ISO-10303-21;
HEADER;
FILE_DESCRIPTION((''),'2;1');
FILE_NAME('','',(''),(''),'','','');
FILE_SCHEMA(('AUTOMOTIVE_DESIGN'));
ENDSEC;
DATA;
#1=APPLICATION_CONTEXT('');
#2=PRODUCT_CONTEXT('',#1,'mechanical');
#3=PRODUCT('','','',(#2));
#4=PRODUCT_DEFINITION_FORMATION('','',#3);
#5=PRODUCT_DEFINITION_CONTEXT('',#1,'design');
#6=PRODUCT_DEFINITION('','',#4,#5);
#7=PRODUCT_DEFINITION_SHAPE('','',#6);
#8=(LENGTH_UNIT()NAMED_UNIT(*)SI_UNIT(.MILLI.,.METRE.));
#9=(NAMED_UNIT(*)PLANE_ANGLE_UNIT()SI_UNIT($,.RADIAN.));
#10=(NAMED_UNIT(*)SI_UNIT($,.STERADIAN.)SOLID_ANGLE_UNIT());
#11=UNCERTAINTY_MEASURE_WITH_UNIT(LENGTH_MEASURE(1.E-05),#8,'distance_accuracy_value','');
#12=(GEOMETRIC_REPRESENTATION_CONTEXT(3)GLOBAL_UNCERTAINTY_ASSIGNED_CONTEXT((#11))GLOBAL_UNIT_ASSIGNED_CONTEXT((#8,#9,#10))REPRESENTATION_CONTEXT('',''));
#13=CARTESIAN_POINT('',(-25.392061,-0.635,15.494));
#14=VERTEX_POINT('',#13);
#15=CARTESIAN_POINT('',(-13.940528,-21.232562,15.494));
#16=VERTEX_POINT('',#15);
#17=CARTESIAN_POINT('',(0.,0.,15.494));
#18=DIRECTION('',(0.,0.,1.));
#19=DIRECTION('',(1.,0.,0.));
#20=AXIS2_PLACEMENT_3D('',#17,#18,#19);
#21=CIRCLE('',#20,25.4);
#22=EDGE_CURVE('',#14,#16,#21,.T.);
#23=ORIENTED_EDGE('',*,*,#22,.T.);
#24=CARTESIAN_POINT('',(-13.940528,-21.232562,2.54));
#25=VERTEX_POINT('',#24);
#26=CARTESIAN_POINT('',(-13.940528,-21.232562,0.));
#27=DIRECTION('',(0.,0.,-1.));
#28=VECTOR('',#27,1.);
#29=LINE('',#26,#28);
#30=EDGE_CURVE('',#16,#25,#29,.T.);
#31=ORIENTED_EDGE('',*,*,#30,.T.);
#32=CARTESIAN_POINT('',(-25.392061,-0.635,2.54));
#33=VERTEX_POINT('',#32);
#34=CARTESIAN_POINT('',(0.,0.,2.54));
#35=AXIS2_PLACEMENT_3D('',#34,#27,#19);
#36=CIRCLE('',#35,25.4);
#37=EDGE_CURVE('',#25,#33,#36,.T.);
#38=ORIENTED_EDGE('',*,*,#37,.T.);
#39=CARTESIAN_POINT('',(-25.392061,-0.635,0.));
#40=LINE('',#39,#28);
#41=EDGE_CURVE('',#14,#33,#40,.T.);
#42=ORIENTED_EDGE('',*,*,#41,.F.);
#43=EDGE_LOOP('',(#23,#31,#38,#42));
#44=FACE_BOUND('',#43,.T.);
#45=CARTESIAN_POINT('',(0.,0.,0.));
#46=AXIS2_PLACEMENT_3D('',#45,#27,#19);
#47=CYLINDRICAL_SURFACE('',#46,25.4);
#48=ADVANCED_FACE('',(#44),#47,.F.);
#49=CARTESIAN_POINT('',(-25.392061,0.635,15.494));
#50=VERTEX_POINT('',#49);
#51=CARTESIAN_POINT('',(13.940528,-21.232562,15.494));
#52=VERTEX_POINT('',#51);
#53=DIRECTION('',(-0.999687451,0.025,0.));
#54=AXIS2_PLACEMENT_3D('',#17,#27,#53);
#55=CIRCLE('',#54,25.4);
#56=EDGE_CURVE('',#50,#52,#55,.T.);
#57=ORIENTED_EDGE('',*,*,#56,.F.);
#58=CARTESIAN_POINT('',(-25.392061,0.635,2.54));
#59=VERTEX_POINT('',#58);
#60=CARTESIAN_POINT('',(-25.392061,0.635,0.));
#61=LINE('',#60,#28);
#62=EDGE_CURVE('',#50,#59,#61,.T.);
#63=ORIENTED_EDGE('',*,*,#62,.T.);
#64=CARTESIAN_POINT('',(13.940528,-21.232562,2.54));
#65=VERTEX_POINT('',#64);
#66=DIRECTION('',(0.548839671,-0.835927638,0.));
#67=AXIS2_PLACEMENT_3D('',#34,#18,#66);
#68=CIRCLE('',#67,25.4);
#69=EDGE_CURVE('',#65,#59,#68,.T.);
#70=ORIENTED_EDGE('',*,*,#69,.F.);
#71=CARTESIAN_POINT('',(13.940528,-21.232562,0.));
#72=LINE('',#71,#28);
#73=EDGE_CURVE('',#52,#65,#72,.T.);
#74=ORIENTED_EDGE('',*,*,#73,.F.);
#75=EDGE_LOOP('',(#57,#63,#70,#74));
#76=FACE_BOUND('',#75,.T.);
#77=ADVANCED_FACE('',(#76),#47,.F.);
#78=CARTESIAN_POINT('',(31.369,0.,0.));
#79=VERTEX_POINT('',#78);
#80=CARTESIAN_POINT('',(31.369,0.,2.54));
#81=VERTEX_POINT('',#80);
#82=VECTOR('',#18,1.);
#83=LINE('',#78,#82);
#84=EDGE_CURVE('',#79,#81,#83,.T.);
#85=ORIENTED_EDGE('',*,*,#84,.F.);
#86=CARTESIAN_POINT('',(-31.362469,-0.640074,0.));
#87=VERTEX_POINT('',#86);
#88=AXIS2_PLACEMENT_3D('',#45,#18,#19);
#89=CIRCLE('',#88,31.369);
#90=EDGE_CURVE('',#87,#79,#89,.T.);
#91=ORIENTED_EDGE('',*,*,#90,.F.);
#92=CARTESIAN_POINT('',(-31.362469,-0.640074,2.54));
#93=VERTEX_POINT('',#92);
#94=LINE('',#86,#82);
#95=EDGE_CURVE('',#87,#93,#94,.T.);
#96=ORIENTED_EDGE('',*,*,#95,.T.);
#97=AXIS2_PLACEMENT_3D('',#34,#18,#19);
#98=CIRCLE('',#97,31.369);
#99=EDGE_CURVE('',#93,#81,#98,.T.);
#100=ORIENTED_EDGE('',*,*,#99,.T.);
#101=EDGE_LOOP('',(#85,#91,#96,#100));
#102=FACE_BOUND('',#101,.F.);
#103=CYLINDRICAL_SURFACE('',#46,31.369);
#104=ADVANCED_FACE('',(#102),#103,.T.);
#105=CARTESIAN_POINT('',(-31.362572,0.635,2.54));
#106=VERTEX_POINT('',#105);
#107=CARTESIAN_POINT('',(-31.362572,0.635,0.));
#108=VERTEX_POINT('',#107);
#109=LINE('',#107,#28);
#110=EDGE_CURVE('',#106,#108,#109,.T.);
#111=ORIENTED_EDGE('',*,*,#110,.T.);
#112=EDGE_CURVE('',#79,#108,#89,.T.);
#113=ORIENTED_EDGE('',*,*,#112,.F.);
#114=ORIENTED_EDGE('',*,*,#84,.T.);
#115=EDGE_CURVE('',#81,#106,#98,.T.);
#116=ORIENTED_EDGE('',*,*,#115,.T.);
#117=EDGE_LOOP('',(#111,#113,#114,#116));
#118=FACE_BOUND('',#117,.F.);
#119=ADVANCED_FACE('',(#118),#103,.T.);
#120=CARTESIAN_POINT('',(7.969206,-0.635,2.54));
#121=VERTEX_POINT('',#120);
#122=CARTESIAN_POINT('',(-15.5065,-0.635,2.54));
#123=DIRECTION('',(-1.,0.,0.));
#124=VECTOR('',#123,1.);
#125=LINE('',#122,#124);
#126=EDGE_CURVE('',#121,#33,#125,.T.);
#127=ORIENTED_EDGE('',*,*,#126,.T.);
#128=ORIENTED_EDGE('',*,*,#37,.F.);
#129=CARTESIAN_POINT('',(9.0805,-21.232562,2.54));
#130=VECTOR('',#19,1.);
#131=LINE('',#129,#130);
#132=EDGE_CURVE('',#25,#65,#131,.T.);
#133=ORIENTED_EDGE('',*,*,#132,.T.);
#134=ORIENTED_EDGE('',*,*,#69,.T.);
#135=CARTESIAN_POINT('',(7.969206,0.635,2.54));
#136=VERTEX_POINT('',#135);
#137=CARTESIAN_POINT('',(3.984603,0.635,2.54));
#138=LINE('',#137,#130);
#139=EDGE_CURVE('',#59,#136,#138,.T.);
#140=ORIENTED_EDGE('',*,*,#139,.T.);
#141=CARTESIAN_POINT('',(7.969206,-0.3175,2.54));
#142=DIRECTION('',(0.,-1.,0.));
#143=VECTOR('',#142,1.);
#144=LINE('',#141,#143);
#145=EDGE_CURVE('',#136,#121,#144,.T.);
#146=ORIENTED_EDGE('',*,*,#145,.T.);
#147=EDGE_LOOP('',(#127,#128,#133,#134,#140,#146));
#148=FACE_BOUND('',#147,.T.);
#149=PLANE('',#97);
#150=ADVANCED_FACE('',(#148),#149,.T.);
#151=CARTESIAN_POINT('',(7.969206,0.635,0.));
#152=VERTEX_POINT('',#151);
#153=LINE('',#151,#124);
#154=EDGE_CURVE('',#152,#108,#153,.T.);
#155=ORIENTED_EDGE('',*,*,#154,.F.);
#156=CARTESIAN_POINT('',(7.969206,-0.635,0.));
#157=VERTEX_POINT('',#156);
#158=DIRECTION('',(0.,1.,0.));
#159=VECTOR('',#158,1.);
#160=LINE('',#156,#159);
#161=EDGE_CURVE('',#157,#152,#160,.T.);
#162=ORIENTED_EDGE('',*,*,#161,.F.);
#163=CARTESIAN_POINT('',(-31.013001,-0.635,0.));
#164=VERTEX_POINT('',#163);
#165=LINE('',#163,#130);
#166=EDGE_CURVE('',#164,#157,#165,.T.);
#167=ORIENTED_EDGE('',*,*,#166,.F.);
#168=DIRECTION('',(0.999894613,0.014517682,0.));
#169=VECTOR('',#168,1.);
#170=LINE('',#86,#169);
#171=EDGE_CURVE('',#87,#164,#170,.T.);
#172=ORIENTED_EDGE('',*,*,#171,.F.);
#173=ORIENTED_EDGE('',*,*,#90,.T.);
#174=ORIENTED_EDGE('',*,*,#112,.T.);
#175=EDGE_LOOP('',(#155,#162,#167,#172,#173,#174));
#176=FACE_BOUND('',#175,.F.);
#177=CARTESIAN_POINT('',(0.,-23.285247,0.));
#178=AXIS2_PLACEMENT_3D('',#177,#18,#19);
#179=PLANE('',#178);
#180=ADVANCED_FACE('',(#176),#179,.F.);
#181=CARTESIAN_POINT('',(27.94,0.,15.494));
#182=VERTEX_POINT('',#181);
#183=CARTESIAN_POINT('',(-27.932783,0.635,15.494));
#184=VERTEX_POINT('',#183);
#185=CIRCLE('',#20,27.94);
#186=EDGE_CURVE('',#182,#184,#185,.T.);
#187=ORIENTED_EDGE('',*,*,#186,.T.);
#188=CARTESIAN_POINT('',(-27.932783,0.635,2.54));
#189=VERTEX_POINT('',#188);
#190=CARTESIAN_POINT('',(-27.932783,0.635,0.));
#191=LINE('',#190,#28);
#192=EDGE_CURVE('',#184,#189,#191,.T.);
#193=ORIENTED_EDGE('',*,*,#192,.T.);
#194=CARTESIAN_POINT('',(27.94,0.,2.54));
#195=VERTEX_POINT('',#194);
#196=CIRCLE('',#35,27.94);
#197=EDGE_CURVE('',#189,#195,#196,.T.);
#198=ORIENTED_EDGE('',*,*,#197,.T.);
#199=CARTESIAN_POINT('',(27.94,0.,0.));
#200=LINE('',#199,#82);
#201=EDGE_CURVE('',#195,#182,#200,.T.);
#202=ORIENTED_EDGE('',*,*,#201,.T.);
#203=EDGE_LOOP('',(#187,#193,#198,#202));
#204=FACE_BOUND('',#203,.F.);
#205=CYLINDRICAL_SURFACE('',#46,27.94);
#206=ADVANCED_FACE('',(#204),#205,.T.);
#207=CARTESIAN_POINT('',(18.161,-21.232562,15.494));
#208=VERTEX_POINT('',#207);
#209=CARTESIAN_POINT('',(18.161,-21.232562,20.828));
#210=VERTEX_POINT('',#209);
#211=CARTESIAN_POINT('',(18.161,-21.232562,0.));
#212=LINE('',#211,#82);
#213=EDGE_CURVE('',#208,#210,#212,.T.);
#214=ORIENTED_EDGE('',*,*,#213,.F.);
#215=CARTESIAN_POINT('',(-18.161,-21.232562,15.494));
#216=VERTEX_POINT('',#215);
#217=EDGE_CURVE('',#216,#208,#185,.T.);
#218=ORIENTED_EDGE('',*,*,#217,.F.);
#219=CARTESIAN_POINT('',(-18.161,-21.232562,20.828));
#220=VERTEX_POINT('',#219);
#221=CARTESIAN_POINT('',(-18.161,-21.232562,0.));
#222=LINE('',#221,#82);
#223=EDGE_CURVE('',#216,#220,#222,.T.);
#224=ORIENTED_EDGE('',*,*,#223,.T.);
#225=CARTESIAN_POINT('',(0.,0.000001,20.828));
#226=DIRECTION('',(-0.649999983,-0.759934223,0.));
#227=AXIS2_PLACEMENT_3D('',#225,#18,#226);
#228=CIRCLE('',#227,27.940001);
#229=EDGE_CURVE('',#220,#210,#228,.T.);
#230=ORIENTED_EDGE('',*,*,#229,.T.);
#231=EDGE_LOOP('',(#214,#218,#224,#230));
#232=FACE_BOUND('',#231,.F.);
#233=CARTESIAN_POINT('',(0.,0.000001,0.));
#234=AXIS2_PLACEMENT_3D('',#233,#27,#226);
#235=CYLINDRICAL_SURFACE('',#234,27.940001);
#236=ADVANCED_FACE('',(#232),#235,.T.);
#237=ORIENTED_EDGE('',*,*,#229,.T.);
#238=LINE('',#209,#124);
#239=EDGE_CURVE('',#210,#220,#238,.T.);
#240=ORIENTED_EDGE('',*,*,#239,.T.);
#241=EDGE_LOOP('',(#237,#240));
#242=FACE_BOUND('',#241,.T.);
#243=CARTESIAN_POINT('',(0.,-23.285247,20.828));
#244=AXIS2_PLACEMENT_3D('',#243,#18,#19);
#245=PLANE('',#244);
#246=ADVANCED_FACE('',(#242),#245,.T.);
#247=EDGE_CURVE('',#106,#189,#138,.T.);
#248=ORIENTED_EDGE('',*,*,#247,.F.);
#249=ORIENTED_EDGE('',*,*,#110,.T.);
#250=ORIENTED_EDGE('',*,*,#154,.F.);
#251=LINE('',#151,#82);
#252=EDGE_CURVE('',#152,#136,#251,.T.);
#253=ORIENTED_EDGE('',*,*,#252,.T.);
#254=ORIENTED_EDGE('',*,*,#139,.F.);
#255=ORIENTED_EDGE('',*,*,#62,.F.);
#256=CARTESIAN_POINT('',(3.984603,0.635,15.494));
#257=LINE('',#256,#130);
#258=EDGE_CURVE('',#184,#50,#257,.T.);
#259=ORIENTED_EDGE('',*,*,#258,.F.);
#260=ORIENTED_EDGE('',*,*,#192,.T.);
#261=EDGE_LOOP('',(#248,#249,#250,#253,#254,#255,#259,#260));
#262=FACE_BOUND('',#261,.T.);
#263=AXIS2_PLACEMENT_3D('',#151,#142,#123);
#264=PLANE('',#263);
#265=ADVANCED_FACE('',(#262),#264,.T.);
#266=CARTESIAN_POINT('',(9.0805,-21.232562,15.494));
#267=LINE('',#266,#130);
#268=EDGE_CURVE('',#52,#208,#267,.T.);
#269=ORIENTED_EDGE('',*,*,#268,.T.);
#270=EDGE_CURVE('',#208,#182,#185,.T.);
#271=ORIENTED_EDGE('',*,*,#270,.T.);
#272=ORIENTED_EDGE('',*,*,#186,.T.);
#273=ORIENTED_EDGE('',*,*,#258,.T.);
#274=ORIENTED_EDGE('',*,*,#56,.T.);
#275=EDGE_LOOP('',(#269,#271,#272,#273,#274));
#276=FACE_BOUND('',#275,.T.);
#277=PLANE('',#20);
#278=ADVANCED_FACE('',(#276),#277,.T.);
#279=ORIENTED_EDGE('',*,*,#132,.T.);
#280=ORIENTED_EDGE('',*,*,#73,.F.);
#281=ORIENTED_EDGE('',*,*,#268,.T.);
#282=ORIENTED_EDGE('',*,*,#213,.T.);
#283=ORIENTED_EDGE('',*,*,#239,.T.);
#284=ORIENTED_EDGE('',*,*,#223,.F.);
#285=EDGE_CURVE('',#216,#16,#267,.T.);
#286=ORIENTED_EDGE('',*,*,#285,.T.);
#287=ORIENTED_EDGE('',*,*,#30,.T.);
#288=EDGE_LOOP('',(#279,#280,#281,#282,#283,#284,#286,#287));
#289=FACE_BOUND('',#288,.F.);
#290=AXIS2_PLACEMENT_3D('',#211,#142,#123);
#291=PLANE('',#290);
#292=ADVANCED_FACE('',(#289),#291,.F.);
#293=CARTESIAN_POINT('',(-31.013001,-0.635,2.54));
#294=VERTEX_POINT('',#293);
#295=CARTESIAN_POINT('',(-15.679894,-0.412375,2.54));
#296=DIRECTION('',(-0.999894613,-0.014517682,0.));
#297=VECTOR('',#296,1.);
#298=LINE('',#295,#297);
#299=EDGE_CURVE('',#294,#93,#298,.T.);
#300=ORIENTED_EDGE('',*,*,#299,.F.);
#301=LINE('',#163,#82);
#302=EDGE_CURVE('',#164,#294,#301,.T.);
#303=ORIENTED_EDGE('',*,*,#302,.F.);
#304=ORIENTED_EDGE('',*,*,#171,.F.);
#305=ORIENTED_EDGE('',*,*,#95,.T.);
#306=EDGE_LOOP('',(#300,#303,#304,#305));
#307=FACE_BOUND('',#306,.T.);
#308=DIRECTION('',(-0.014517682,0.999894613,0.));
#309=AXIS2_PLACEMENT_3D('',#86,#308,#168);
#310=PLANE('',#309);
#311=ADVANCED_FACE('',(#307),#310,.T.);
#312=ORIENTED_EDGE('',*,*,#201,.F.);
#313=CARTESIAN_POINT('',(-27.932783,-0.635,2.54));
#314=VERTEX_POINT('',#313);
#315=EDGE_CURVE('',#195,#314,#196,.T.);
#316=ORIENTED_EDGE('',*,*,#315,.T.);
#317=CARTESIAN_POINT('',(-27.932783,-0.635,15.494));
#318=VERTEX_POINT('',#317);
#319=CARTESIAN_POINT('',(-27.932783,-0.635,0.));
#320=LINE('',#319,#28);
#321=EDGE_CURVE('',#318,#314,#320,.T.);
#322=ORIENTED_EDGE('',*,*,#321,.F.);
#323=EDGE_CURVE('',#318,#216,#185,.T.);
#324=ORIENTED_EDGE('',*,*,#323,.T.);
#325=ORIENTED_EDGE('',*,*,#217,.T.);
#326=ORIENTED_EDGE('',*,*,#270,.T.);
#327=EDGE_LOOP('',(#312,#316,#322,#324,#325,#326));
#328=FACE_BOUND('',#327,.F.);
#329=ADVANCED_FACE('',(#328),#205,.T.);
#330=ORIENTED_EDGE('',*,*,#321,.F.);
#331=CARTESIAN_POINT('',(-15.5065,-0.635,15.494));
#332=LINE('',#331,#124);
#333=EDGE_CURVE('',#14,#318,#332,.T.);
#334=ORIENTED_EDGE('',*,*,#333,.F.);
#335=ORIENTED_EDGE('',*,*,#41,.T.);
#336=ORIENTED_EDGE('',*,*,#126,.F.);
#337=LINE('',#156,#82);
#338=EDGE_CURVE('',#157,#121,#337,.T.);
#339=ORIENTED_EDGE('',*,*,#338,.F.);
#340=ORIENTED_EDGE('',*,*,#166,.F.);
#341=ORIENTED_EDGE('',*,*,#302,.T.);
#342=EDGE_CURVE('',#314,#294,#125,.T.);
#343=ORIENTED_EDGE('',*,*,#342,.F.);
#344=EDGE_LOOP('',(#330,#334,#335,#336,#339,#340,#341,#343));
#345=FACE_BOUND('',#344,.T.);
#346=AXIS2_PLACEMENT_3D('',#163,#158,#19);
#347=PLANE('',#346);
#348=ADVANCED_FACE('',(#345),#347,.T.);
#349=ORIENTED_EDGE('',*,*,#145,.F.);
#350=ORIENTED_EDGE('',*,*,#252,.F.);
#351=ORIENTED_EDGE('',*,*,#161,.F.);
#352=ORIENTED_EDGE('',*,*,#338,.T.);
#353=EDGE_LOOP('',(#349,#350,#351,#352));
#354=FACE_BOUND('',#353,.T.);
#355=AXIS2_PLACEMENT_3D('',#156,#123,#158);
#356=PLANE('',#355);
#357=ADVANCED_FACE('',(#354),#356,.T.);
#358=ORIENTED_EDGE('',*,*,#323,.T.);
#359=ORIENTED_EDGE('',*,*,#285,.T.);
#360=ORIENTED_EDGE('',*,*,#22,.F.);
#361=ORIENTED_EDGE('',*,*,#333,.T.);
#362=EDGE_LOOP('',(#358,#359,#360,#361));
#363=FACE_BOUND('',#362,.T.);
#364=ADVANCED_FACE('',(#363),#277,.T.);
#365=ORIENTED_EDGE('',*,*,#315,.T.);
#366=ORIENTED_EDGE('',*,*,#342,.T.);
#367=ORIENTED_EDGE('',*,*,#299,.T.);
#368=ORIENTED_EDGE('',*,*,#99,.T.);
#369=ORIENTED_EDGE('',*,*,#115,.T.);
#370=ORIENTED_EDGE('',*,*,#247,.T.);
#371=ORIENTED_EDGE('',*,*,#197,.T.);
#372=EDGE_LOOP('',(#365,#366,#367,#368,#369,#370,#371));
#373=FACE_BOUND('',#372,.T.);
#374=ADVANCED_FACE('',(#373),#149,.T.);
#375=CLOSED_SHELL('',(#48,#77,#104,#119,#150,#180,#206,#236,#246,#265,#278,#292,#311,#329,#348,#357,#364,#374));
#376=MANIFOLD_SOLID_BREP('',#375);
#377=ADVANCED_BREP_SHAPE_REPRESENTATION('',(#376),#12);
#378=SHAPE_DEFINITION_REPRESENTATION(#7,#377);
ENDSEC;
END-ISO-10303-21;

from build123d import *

# Parameters (mm, degrees)
F0_R     = 31.369
F1_DEPTH = 2.54
F2_R     = 27.94
F2_R_2   = 25.4
F3_DEPTH = 15.494
F5_DEPTH = 25.4
F7_DEPTH = 20.828


with BuildPart() as f1:
    # F0 (on Top) → F1 (new body)
    with BuildSketch(Plane.XY):
        Circle(F0_R)
    extrude(amount=F1_DEPTH)

    # F2 (on Top) → F3 (join)
    with BuildSketch(Plane.XY):
        Circle(F2_R)
        Circle(F2_R_2, mode=Mode.SUBTRACT)
    extrude(amount=F3_DEPTH)

    # F4 (on face) → F5 (cut)
    with BuildSketch(Plane.XY):
        with BuildLine():
            Line((0, -0.635), (0, 0))
            Line((0, 0), (0, 0.635))
            Line((0, 0.635), (-31.330898, 0.635))
            Line((-31.330898, 0.635), (-31.362572, 0.635))
            ThreePointArc((-31.362572, 0.635), (-31.369, -0.002537), (-31.362469, -0.640074))
            Line((-31.362469, -0.640074), (-31.013001, -0.635))
            Line((-31.013001, -0.635), (0, -0.635))
        make_face()
        with BuildLine():
            Line((-31.979989, -0.649039), (-31.362469, -0.640074))
            ThreePointArc((-31.362469, -0.640074), (-31.369, -0.002537), (-31.362572, 0.635))
            Line((-31.362572, 0.635), (-31.979989, 0.635))
            Line((-31.979989, 0.635), (-31.979989, -0.649039))
        make_face()
        Polygon((0, 0.635), (0, 0), (0, -0.635), (7.969206, -0.635), (7.969206, 0.635), (4.666724, 0.635), align=None)
    extrude(amount=F5_DEPTH, mode=Mode.SUBTRACT)

    # F6 (on Top) → F7 (join)
    with BuildSketch(Plane.XY):
        with BuildLine():
            Line((18.161, -21.232562), (-18.161, -21.232562))
            ThreePointArc((-18.161, -21.232562), (0, -27.94), (18.161, -21.232562))
        make_face()
    extrude(amount=F7_DEPTH)


solid = f1.part
